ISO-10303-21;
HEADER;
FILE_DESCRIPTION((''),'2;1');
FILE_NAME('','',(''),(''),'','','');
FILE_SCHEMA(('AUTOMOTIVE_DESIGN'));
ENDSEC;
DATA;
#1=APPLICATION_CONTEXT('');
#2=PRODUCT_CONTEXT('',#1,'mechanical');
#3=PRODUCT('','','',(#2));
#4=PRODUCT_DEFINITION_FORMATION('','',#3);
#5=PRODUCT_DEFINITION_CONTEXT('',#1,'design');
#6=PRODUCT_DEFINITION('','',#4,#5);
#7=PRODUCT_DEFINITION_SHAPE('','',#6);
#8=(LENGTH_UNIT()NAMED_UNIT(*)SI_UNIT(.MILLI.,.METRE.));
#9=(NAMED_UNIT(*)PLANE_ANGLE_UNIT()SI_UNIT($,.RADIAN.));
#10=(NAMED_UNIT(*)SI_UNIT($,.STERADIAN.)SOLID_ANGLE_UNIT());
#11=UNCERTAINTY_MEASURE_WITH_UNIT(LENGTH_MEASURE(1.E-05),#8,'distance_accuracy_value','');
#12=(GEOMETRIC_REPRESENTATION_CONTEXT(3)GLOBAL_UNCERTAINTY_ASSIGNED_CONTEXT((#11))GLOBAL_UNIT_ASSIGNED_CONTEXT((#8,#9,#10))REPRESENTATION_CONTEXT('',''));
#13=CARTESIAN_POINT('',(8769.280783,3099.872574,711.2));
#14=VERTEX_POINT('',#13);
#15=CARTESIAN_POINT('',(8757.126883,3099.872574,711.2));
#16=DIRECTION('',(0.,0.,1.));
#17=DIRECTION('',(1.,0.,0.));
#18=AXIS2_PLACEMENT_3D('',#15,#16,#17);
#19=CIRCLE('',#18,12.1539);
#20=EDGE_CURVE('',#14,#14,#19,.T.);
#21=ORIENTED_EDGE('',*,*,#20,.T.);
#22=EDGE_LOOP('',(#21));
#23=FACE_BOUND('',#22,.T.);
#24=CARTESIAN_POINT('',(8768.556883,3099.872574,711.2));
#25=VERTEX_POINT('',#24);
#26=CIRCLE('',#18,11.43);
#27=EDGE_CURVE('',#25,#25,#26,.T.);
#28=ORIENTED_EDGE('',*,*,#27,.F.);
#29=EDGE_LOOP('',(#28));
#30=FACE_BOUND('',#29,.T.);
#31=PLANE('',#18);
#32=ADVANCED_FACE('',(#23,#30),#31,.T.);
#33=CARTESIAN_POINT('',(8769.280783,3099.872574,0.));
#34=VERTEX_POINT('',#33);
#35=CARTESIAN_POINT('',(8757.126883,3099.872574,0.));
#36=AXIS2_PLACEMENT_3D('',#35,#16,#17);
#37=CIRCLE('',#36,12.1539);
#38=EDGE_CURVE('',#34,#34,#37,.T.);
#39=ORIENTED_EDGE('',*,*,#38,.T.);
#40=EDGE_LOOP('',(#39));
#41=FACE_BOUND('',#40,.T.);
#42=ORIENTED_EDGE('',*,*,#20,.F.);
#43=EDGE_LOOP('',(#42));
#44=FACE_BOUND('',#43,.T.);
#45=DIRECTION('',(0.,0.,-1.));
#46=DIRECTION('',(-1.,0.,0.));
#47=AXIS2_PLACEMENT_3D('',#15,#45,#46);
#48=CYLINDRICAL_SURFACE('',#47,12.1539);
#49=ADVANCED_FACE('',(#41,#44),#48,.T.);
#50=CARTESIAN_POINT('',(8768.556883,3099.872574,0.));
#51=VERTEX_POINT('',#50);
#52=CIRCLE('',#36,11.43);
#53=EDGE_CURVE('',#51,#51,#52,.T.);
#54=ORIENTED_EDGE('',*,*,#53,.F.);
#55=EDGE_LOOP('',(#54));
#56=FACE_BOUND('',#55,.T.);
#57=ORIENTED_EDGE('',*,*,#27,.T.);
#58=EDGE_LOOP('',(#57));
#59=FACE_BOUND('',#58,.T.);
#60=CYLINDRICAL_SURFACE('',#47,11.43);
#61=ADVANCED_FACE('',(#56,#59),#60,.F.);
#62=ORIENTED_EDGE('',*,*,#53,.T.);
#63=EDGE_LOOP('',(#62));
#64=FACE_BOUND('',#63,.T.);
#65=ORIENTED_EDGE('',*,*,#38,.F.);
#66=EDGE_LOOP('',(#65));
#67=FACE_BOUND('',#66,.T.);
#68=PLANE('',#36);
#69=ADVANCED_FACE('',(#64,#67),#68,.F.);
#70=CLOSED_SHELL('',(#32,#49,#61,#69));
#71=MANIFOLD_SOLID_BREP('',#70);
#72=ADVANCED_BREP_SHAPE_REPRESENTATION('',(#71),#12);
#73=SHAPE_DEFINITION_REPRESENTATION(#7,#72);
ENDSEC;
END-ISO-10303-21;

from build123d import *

# Parameters (mm, degrees)
SKETCH1_R           = 12.1539
SKETCH1_R_2         = 11.43
BOSS_EXTRUDE1_DEPTH = 711.2


with BuildPart() as part:
    # Sketch1 → Boss-Extrude1 (new body)
    with BuildSketch(Plane.XY):
        with Locations((8757.126883099, 3099.872573976)):
            Circle(SKETCH1_R)
        with Locations((8757.126883099, 3099.872573976)):
            Circle(SKETCH1_R_2, mode=Mode.SUBTRACT)
    extrude(amount=BOSS_EXTRUDE1_DEPTH)


solid = part.part
